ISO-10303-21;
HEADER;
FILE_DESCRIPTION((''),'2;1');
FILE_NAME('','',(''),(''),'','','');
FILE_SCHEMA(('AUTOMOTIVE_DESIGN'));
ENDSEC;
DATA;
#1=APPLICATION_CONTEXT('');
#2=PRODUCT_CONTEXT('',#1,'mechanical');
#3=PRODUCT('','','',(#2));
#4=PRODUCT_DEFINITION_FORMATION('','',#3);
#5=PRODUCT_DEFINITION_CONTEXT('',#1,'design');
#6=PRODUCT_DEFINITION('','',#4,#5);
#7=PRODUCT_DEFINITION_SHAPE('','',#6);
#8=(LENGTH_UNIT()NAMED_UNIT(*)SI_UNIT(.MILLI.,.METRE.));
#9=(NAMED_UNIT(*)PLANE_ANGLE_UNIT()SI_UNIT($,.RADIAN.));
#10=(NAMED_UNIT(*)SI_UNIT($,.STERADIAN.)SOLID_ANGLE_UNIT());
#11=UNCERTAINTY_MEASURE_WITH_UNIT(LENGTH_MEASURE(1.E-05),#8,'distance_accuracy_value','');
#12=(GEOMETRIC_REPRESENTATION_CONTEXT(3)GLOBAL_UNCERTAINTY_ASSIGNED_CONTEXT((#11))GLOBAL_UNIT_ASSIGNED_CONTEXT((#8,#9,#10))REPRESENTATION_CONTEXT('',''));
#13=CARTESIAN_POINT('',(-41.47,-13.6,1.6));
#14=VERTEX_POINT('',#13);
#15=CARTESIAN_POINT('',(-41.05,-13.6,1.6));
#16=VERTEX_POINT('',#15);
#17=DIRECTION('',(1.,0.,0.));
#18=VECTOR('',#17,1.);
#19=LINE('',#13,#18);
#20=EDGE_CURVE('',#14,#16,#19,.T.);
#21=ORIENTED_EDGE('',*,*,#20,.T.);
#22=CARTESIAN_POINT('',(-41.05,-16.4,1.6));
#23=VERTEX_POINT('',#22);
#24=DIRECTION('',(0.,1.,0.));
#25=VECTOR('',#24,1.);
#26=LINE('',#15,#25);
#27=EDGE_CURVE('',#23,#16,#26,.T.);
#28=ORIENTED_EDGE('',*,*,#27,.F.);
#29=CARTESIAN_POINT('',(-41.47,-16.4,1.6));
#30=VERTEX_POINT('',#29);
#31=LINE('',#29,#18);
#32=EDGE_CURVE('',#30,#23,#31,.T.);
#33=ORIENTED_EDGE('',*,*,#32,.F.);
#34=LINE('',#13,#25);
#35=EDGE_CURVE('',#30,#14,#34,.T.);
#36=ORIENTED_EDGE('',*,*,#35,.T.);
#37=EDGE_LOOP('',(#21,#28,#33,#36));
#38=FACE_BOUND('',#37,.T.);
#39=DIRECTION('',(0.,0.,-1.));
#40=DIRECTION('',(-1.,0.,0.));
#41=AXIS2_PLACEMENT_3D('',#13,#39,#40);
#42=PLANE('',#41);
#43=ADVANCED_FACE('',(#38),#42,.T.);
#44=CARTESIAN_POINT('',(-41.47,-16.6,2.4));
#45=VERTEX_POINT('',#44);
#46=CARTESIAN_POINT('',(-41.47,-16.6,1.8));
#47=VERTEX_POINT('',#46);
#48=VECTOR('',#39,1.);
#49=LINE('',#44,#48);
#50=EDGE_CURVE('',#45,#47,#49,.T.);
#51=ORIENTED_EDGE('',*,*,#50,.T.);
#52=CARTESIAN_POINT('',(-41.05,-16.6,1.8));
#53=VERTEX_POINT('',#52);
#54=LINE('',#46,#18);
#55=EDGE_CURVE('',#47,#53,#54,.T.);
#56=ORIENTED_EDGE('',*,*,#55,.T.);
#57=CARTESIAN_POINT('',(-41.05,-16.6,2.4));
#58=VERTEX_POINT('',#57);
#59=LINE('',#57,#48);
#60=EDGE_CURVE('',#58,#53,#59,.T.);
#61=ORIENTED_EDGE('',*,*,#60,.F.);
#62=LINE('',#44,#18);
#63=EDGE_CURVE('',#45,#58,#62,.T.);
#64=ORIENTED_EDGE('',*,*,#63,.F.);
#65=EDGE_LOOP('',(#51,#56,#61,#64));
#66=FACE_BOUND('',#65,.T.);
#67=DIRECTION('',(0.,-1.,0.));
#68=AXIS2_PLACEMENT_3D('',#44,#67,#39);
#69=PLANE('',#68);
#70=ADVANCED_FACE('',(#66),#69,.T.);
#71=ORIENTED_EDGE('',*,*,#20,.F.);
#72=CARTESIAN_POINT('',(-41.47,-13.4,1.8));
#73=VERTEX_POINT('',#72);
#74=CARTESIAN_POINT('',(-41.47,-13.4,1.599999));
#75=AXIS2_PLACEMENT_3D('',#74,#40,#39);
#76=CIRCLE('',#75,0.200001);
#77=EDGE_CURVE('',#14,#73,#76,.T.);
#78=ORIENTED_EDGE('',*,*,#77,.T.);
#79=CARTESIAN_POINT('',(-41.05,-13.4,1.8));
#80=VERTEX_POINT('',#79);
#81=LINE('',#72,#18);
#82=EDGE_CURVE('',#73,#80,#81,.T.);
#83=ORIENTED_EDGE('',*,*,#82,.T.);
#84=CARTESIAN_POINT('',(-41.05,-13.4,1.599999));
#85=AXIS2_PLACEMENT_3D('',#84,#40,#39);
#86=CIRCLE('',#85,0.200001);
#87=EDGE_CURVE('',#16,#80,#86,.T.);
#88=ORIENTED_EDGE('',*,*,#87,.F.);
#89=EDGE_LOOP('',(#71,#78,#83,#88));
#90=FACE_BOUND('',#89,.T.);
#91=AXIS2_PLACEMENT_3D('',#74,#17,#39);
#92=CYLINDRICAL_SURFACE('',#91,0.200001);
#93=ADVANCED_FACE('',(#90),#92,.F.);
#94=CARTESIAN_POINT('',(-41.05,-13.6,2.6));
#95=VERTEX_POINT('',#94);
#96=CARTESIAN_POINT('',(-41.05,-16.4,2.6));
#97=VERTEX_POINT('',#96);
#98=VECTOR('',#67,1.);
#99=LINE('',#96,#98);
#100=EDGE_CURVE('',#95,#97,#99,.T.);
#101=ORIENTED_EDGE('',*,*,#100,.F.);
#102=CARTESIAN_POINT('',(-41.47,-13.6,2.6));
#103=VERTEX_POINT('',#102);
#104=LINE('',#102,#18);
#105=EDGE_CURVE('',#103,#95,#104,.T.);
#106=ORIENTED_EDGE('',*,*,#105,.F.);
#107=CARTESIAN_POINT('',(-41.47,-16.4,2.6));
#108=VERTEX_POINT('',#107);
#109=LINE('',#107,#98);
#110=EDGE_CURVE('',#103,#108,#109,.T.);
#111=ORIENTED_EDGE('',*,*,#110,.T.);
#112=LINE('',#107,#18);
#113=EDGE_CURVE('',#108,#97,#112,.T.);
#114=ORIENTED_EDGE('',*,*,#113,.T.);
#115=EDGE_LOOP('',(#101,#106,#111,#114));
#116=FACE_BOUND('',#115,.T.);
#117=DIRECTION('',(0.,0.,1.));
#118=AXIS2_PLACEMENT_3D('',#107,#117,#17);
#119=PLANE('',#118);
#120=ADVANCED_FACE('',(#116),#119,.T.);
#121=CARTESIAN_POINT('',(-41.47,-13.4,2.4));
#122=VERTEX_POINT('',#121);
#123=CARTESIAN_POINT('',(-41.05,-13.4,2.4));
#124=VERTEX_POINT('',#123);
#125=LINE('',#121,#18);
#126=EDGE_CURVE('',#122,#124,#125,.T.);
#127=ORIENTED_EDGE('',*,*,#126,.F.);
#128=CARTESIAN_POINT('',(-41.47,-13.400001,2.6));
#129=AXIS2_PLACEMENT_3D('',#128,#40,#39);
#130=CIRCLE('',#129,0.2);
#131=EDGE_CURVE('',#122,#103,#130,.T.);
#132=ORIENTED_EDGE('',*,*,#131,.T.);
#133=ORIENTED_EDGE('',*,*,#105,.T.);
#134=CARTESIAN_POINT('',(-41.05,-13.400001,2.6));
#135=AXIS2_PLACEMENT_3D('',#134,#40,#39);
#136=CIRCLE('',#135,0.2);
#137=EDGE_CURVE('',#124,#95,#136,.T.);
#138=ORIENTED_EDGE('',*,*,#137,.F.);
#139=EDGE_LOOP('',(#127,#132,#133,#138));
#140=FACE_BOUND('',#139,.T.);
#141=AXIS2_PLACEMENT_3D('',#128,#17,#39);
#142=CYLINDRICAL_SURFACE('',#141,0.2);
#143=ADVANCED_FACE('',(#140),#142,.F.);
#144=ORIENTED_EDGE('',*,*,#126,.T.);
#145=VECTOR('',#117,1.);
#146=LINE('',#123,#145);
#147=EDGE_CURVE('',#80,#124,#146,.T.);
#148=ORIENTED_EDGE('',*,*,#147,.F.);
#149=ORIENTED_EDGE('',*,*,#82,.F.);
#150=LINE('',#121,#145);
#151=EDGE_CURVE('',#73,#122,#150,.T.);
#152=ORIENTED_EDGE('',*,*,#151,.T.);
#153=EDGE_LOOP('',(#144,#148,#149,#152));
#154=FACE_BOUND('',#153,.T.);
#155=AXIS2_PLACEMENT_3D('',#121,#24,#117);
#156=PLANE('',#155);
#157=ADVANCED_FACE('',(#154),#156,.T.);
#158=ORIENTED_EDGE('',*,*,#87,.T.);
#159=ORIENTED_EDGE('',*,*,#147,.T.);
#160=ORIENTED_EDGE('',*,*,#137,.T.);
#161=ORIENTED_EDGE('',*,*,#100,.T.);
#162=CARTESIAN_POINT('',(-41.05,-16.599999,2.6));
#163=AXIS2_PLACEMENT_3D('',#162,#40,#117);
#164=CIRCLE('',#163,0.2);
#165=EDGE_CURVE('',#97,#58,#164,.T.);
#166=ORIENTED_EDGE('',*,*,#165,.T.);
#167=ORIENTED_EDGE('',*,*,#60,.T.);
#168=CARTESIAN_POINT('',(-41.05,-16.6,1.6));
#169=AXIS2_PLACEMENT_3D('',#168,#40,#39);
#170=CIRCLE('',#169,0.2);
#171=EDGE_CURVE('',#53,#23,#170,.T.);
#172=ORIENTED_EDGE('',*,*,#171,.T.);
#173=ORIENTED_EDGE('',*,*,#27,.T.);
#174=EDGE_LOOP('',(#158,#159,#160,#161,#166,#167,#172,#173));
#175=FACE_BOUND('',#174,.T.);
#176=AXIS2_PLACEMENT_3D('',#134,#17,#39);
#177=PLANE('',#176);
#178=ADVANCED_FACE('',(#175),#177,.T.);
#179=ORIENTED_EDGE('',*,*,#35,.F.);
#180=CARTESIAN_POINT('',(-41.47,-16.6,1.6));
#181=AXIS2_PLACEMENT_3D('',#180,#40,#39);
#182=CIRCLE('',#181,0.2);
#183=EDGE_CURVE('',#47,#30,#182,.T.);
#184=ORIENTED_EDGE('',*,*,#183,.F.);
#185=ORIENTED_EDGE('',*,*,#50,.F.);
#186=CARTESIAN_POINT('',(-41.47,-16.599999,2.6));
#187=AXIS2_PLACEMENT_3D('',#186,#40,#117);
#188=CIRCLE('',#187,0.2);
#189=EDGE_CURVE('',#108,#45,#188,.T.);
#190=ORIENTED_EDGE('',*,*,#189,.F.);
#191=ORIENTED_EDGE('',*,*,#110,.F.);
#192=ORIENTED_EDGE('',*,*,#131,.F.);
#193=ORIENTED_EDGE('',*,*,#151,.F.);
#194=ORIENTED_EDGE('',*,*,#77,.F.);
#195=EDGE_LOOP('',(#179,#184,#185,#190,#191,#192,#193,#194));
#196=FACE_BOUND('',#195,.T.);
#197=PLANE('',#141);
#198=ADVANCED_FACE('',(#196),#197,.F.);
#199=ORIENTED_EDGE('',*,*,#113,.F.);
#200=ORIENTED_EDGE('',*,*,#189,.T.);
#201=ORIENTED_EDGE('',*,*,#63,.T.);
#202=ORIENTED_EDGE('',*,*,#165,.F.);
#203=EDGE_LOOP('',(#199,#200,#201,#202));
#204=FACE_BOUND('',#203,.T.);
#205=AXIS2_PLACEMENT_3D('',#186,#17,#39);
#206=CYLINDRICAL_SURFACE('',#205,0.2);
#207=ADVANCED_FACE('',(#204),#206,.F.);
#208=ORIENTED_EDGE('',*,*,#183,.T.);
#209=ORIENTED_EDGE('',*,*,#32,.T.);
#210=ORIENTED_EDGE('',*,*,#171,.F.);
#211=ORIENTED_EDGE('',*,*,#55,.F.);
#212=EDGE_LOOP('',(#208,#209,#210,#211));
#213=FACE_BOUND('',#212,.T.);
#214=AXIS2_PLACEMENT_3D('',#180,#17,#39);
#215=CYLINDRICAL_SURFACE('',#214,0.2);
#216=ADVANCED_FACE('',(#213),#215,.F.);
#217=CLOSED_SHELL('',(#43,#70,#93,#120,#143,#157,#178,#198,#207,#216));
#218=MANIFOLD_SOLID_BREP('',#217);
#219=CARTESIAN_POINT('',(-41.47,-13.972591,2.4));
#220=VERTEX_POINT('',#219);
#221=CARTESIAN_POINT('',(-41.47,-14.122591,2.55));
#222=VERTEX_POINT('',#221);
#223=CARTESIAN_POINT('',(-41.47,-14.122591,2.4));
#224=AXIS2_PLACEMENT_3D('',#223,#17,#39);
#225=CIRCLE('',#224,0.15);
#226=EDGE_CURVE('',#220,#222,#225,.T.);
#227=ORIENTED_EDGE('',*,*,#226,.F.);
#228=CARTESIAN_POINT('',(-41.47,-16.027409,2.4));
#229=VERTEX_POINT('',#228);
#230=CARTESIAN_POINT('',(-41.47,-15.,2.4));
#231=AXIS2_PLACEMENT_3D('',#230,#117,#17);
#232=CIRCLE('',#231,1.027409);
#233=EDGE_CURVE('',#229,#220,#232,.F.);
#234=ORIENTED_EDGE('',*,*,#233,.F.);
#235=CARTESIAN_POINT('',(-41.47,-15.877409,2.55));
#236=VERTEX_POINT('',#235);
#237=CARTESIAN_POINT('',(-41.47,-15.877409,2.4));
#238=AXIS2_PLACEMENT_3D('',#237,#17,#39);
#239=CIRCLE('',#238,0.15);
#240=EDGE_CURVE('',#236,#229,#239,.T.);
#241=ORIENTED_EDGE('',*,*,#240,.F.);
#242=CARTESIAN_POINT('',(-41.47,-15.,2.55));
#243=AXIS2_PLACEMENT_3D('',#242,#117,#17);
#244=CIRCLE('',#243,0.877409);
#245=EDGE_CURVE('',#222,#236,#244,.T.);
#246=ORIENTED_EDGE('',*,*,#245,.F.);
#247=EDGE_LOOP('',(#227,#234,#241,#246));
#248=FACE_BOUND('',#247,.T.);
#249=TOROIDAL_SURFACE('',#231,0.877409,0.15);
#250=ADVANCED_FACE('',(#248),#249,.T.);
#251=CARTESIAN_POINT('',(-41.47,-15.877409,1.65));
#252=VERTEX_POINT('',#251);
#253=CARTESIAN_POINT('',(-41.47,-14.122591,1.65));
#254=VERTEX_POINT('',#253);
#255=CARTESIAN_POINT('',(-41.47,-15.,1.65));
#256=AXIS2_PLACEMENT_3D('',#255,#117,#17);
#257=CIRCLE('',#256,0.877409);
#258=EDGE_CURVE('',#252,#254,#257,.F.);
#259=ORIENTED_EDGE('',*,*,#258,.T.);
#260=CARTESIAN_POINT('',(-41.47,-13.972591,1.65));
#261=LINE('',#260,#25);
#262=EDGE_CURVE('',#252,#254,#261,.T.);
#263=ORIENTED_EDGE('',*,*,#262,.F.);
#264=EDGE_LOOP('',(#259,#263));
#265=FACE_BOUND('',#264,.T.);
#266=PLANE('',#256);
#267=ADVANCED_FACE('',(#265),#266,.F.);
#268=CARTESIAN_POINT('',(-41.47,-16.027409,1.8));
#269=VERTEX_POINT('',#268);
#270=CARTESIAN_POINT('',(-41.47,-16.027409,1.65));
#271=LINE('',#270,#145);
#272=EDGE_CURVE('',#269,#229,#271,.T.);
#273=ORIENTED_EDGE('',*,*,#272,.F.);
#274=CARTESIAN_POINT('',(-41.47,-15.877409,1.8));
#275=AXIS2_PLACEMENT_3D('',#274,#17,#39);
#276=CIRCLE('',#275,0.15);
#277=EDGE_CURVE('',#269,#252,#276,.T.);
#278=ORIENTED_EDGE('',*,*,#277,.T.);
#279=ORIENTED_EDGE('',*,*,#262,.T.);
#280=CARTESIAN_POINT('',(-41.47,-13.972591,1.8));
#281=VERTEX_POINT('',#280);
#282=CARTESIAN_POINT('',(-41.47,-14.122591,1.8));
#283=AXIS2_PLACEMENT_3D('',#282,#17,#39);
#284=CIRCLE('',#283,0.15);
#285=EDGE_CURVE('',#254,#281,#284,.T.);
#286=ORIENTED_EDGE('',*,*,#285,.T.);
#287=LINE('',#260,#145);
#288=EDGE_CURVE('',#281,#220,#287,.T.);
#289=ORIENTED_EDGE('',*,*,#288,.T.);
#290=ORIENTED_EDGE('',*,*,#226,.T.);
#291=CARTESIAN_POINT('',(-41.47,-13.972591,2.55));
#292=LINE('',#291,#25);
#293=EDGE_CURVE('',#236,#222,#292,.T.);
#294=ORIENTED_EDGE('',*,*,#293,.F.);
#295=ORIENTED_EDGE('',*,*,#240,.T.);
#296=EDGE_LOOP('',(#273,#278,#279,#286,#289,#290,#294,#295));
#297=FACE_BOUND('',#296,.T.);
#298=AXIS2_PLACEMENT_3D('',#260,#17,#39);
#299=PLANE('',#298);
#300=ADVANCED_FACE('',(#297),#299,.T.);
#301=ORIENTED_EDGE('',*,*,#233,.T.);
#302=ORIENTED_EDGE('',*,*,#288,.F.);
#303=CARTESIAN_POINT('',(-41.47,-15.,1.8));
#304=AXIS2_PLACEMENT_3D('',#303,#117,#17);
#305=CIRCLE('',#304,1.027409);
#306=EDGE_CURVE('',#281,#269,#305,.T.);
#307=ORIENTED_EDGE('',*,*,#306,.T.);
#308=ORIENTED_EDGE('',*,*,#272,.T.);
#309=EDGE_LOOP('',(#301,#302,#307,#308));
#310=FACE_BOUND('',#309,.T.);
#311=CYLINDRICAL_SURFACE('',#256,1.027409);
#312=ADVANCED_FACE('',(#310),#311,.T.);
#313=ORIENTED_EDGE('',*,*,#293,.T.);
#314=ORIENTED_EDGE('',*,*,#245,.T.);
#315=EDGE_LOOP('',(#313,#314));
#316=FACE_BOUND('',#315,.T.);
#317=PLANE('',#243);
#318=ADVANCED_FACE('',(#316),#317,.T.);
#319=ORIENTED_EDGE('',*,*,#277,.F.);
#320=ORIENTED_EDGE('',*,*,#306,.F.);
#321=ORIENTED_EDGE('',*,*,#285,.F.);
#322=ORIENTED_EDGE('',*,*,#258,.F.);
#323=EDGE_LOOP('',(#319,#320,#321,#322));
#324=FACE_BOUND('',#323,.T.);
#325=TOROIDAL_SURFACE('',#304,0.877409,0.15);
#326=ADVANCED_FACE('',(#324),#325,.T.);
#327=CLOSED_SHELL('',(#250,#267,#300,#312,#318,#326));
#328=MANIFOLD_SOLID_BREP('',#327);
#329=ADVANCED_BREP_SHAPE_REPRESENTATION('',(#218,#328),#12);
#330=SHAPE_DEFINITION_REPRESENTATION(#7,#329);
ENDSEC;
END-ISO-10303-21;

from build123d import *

# Parameters (mm, degrees)
DODANIE_WYCI_GNI_CIE1_DEPTH = 0.42
DODANIE_WYCI_GNI_CIE2_START = -0.05
DODANIE_WYCI_GNI_CIE2_DEPTH = 0.9
ZAOKR_GLENIE1_R             = 0.15


with BuildPart() as part:
    # Szkic1 → Dodanie-wyciągnięcie1 (new body)
    with BuildSketch(Plane(origin=(-41.05, 0, 0), x_dir=(0, 0, -1), z_dir=(1, 0, 0))):
        with BuildLine():
            Line((-2.400000095, -13.399999619), (-1.799999952, -13.399999619))
            ThreePointArc((-1.799999952, -13.399999619), (-1.74142138, -13.541421219), (-1.600000024, -13.600000381))
            Line((-1.600000024, -13.600000381), (-1.600000024, -16.399999619))
            ThreePointArc((-1.600000024, -16.399999619), (-1.741421625, -16.458578536), (-1.799999952, -16.600000381))
            Line((-1.799999952, -16.600000381), (-2.400000095, -16.600000381))
            ThreePointArc((-2.400000095, -16.600000381), (-2.458578346, -16.458578544), (-2.599999905, -16.399999619))
            Line((-2.599999905, -16.399999619), (-2.599999905, -13.600000381))
            ThreePointArc((-2.599999905, -13.600000381), (-2.458578346, -13.541421456), (-2.400000095, -13.399999619))
        make_face()
    extrude(amount=-DODANIE_WYCI_GNI_CIE1_DEPTH)


with BuildPart() as body_2:
    # Szkic2 → Dodanie-wyciągnięcie2 (new body)
    with BuildSketch(Plane.XY.offset(2.599999905).offset(DODANIE_WYCI_GNI_CIE2_START)):
        with BuildLine():
            Line((-41.47, -13.972591173), (-41.47, -16.027408827))
            ThreePointArc((-41.47, -16.027408827), (-42.497408827, -15), (-41.47, -13.972591173))
        make_face()
    extrude(amount=-DODANIE_WYCI_GNI_CIE2_DEPTH)

    # Zaokrąglenie1
    zaokr_glenie1_edges = [body_2.edges().sort_by_distance(p)[0] for p in [
        (-42.497408827, -15, 2.549999905),
        (-42.497408827, -15, 1.649999905),
    ]]
    fillet(zaokr_glenie1_edges, radius=ZAOKR_GLENIE1_R)


solid = Compound([part.part, body_2.part])
